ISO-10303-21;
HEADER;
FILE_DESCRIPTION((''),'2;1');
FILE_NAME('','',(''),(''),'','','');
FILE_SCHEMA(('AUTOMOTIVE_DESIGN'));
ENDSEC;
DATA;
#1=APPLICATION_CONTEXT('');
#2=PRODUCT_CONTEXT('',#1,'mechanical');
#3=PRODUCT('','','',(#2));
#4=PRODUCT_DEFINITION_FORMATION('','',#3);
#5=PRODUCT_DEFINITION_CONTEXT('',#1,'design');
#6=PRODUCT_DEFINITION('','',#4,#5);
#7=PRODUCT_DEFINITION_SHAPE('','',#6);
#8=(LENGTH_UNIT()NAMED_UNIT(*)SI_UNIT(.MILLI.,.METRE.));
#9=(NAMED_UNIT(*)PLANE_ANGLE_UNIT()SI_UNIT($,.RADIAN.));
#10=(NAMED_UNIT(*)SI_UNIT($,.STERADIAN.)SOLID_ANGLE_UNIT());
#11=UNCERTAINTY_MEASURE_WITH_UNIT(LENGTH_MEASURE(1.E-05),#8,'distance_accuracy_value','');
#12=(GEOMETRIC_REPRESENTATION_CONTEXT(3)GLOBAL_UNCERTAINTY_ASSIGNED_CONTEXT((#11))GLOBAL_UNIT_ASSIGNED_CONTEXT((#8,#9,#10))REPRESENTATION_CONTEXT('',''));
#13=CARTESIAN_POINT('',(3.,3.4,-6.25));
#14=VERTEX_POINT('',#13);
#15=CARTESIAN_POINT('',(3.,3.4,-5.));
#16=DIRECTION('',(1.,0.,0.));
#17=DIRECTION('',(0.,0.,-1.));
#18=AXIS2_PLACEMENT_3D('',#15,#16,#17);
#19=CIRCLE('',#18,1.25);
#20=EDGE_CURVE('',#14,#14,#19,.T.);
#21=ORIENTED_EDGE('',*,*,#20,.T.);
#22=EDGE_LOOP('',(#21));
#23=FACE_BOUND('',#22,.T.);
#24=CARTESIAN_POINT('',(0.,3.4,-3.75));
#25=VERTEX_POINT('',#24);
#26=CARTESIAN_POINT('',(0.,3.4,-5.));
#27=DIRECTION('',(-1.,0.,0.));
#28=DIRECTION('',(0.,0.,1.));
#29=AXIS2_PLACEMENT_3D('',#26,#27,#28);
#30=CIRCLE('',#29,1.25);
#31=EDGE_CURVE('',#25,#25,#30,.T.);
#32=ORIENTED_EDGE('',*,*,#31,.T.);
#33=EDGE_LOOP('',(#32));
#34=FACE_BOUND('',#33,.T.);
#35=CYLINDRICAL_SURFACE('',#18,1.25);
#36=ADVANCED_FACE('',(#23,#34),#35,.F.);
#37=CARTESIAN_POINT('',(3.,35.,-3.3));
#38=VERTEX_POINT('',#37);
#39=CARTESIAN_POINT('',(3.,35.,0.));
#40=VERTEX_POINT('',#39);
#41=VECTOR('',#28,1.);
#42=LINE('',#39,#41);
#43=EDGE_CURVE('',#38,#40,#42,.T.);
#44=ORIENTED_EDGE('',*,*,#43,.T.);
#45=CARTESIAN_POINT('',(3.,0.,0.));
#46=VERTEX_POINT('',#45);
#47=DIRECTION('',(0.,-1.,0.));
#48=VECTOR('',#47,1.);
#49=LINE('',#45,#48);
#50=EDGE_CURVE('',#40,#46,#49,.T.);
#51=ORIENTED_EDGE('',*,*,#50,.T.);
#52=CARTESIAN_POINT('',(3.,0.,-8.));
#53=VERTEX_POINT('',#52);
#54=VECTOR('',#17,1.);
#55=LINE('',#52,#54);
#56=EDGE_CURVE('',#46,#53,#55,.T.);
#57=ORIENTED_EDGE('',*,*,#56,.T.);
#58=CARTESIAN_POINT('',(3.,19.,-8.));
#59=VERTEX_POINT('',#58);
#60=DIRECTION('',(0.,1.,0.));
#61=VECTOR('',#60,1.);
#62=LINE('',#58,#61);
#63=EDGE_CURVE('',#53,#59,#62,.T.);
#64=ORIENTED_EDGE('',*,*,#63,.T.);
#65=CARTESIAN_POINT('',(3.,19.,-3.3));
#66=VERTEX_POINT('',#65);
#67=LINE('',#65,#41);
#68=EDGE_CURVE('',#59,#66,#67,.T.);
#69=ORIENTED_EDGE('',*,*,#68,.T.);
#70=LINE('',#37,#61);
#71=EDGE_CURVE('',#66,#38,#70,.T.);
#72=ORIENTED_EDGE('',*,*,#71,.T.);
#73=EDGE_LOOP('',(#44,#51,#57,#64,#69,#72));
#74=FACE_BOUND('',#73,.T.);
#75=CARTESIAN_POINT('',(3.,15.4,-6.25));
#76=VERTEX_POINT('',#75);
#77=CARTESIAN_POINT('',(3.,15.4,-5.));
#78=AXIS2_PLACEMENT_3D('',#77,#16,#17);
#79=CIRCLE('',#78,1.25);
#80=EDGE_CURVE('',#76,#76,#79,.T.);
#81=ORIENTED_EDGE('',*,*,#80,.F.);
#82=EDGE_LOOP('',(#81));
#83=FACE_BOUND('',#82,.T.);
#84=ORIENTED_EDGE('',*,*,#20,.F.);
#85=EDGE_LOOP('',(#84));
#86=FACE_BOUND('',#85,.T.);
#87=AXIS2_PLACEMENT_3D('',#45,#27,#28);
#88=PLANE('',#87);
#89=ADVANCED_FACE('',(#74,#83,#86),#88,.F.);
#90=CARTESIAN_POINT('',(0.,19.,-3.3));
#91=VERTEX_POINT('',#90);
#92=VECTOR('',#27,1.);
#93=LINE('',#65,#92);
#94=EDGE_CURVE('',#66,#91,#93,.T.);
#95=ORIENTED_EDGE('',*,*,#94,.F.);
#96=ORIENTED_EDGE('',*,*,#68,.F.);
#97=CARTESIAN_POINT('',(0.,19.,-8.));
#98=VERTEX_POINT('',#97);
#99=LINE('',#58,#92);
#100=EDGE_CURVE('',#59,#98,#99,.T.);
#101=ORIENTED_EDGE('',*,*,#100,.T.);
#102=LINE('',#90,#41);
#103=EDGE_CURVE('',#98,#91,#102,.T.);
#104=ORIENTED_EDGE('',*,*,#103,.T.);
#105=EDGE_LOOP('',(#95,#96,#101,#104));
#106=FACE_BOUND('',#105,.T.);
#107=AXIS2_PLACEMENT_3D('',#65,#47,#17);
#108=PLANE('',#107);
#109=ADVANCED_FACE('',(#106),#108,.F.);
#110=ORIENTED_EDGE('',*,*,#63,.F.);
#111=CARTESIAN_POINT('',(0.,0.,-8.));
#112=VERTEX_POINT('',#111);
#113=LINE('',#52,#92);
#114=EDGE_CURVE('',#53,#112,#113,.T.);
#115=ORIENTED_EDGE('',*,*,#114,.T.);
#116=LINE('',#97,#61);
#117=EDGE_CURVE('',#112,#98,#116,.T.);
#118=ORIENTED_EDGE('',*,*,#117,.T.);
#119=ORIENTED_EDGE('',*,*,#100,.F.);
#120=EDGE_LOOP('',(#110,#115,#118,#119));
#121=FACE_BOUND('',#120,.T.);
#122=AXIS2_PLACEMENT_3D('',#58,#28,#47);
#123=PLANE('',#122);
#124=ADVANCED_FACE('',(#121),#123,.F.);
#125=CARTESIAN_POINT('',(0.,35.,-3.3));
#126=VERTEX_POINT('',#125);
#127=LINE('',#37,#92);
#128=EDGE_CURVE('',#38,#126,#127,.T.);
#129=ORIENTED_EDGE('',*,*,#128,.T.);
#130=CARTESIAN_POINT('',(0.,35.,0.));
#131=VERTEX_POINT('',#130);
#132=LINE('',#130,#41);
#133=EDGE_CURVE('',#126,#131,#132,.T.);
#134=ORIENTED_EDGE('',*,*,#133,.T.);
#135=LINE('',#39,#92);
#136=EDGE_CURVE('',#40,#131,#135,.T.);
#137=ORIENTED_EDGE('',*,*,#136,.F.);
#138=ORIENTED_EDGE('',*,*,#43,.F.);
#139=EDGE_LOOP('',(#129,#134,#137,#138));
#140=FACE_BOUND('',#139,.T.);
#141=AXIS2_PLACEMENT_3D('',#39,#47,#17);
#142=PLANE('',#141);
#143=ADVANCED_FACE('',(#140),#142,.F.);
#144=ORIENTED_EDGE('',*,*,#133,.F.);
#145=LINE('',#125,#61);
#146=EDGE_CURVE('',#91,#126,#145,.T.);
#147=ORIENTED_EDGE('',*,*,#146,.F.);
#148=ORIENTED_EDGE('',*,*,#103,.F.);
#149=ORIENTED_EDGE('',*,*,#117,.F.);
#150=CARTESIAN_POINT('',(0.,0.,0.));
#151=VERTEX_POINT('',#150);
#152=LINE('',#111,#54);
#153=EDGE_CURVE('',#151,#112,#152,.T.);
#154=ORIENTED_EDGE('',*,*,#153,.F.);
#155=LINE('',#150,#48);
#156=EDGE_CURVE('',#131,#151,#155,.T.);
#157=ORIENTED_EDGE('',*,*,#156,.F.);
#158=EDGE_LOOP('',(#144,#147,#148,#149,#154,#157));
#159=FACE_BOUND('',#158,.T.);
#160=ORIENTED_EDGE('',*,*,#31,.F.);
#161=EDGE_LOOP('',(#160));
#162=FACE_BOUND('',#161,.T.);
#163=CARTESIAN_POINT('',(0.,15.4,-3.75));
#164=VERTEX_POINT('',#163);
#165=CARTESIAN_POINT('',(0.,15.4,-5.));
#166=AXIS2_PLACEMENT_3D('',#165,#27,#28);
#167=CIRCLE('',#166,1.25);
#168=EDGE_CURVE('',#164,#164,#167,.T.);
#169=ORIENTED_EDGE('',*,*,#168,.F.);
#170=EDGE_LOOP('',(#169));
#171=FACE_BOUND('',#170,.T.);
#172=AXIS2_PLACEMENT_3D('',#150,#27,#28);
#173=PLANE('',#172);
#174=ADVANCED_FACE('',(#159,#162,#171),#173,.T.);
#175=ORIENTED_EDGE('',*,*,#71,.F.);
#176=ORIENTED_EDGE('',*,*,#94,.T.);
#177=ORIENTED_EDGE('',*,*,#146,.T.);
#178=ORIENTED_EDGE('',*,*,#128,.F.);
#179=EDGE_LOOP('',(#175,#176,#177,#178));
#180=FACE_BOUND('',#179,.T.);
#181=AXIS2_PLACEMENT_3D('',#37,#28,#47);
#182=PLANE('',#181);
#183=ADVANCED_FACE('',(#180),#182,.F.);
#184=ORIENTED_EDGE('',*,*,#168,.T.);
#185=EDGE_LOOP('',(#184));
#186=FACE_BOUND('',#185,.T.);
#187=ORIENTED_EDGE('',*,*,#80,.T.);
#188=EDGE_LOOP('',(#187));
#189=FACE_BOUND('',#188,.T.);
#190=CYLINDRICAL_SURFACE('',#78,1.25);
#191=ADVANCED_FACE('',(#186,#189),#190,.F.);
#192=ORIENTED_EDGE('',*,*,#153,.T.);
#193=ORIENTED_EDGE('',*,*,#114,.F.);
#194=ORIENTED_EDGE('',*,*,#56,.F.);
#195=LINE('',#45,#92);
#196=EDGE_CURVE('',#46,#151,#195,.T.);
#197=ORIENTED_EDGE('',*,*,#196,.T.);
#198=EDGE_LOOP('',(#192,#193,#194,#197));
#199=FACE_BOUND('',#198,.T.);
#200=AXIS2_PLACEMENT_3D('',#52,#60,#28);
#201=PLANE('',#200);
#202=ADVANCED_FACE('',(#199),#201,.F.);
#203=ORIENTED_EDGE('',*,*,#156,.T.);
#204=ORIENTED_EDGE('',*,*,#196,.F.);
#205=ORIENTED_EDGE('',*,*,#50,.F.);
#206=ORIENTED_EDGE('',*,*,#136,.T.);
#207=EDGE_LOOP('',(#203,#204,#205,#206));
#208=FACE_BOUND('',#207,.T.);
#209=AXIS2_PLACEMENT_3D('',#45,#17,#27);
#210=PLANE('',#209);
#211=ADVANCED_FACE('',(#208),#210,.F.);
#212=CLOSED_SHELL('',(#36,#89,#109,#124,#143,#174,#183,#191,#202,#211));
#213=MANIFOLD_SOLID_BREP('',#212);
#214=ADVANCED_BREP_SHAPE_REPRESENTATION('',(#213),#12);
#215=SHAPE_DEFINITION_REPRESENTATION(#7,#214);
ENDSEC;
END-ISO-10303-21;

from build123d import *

# Parameters (mm, degrees)
BOSS_EXTRUDE1_DEPTH             = 3
TAP_DRILL_FOR_M3X0_5_TAP1_D     = 2.5
TAP_DRILL_FOR_M3X0_5_TAP1_DEPTH = 3


with BuildPart() as part:
    # Sketch1 → Boss-Extrude1 (new body)
    with BuildSketch(Plane(origin=(0, 0, 0), x_dir=(0, 0, -1), z_dir=(1, 0, 0))):
        Polygon((0, 0), (0, 35), (3.3, 35), (3.3, 19), (8, 19), (8, 0), align=None)
    extrude(amount=BOSS_EXTRUDE1_DEPTH)

    # Tap Drill for M3x0.5 Tap1
    with Locations(Plane(origin=(3, 0, 0), x_dir=(0, 0, -1), z_dir=(1, 0, 0))):
        with Locations((5, 15.4), (5, 3.4)):
            Hole(TAP_DRILL_FOR_M3X0_5_TAP1_D / 2, depth=TAP_DRILL_FOR_M3X0_5_TAP1_DEPTH)


solid = part.part
